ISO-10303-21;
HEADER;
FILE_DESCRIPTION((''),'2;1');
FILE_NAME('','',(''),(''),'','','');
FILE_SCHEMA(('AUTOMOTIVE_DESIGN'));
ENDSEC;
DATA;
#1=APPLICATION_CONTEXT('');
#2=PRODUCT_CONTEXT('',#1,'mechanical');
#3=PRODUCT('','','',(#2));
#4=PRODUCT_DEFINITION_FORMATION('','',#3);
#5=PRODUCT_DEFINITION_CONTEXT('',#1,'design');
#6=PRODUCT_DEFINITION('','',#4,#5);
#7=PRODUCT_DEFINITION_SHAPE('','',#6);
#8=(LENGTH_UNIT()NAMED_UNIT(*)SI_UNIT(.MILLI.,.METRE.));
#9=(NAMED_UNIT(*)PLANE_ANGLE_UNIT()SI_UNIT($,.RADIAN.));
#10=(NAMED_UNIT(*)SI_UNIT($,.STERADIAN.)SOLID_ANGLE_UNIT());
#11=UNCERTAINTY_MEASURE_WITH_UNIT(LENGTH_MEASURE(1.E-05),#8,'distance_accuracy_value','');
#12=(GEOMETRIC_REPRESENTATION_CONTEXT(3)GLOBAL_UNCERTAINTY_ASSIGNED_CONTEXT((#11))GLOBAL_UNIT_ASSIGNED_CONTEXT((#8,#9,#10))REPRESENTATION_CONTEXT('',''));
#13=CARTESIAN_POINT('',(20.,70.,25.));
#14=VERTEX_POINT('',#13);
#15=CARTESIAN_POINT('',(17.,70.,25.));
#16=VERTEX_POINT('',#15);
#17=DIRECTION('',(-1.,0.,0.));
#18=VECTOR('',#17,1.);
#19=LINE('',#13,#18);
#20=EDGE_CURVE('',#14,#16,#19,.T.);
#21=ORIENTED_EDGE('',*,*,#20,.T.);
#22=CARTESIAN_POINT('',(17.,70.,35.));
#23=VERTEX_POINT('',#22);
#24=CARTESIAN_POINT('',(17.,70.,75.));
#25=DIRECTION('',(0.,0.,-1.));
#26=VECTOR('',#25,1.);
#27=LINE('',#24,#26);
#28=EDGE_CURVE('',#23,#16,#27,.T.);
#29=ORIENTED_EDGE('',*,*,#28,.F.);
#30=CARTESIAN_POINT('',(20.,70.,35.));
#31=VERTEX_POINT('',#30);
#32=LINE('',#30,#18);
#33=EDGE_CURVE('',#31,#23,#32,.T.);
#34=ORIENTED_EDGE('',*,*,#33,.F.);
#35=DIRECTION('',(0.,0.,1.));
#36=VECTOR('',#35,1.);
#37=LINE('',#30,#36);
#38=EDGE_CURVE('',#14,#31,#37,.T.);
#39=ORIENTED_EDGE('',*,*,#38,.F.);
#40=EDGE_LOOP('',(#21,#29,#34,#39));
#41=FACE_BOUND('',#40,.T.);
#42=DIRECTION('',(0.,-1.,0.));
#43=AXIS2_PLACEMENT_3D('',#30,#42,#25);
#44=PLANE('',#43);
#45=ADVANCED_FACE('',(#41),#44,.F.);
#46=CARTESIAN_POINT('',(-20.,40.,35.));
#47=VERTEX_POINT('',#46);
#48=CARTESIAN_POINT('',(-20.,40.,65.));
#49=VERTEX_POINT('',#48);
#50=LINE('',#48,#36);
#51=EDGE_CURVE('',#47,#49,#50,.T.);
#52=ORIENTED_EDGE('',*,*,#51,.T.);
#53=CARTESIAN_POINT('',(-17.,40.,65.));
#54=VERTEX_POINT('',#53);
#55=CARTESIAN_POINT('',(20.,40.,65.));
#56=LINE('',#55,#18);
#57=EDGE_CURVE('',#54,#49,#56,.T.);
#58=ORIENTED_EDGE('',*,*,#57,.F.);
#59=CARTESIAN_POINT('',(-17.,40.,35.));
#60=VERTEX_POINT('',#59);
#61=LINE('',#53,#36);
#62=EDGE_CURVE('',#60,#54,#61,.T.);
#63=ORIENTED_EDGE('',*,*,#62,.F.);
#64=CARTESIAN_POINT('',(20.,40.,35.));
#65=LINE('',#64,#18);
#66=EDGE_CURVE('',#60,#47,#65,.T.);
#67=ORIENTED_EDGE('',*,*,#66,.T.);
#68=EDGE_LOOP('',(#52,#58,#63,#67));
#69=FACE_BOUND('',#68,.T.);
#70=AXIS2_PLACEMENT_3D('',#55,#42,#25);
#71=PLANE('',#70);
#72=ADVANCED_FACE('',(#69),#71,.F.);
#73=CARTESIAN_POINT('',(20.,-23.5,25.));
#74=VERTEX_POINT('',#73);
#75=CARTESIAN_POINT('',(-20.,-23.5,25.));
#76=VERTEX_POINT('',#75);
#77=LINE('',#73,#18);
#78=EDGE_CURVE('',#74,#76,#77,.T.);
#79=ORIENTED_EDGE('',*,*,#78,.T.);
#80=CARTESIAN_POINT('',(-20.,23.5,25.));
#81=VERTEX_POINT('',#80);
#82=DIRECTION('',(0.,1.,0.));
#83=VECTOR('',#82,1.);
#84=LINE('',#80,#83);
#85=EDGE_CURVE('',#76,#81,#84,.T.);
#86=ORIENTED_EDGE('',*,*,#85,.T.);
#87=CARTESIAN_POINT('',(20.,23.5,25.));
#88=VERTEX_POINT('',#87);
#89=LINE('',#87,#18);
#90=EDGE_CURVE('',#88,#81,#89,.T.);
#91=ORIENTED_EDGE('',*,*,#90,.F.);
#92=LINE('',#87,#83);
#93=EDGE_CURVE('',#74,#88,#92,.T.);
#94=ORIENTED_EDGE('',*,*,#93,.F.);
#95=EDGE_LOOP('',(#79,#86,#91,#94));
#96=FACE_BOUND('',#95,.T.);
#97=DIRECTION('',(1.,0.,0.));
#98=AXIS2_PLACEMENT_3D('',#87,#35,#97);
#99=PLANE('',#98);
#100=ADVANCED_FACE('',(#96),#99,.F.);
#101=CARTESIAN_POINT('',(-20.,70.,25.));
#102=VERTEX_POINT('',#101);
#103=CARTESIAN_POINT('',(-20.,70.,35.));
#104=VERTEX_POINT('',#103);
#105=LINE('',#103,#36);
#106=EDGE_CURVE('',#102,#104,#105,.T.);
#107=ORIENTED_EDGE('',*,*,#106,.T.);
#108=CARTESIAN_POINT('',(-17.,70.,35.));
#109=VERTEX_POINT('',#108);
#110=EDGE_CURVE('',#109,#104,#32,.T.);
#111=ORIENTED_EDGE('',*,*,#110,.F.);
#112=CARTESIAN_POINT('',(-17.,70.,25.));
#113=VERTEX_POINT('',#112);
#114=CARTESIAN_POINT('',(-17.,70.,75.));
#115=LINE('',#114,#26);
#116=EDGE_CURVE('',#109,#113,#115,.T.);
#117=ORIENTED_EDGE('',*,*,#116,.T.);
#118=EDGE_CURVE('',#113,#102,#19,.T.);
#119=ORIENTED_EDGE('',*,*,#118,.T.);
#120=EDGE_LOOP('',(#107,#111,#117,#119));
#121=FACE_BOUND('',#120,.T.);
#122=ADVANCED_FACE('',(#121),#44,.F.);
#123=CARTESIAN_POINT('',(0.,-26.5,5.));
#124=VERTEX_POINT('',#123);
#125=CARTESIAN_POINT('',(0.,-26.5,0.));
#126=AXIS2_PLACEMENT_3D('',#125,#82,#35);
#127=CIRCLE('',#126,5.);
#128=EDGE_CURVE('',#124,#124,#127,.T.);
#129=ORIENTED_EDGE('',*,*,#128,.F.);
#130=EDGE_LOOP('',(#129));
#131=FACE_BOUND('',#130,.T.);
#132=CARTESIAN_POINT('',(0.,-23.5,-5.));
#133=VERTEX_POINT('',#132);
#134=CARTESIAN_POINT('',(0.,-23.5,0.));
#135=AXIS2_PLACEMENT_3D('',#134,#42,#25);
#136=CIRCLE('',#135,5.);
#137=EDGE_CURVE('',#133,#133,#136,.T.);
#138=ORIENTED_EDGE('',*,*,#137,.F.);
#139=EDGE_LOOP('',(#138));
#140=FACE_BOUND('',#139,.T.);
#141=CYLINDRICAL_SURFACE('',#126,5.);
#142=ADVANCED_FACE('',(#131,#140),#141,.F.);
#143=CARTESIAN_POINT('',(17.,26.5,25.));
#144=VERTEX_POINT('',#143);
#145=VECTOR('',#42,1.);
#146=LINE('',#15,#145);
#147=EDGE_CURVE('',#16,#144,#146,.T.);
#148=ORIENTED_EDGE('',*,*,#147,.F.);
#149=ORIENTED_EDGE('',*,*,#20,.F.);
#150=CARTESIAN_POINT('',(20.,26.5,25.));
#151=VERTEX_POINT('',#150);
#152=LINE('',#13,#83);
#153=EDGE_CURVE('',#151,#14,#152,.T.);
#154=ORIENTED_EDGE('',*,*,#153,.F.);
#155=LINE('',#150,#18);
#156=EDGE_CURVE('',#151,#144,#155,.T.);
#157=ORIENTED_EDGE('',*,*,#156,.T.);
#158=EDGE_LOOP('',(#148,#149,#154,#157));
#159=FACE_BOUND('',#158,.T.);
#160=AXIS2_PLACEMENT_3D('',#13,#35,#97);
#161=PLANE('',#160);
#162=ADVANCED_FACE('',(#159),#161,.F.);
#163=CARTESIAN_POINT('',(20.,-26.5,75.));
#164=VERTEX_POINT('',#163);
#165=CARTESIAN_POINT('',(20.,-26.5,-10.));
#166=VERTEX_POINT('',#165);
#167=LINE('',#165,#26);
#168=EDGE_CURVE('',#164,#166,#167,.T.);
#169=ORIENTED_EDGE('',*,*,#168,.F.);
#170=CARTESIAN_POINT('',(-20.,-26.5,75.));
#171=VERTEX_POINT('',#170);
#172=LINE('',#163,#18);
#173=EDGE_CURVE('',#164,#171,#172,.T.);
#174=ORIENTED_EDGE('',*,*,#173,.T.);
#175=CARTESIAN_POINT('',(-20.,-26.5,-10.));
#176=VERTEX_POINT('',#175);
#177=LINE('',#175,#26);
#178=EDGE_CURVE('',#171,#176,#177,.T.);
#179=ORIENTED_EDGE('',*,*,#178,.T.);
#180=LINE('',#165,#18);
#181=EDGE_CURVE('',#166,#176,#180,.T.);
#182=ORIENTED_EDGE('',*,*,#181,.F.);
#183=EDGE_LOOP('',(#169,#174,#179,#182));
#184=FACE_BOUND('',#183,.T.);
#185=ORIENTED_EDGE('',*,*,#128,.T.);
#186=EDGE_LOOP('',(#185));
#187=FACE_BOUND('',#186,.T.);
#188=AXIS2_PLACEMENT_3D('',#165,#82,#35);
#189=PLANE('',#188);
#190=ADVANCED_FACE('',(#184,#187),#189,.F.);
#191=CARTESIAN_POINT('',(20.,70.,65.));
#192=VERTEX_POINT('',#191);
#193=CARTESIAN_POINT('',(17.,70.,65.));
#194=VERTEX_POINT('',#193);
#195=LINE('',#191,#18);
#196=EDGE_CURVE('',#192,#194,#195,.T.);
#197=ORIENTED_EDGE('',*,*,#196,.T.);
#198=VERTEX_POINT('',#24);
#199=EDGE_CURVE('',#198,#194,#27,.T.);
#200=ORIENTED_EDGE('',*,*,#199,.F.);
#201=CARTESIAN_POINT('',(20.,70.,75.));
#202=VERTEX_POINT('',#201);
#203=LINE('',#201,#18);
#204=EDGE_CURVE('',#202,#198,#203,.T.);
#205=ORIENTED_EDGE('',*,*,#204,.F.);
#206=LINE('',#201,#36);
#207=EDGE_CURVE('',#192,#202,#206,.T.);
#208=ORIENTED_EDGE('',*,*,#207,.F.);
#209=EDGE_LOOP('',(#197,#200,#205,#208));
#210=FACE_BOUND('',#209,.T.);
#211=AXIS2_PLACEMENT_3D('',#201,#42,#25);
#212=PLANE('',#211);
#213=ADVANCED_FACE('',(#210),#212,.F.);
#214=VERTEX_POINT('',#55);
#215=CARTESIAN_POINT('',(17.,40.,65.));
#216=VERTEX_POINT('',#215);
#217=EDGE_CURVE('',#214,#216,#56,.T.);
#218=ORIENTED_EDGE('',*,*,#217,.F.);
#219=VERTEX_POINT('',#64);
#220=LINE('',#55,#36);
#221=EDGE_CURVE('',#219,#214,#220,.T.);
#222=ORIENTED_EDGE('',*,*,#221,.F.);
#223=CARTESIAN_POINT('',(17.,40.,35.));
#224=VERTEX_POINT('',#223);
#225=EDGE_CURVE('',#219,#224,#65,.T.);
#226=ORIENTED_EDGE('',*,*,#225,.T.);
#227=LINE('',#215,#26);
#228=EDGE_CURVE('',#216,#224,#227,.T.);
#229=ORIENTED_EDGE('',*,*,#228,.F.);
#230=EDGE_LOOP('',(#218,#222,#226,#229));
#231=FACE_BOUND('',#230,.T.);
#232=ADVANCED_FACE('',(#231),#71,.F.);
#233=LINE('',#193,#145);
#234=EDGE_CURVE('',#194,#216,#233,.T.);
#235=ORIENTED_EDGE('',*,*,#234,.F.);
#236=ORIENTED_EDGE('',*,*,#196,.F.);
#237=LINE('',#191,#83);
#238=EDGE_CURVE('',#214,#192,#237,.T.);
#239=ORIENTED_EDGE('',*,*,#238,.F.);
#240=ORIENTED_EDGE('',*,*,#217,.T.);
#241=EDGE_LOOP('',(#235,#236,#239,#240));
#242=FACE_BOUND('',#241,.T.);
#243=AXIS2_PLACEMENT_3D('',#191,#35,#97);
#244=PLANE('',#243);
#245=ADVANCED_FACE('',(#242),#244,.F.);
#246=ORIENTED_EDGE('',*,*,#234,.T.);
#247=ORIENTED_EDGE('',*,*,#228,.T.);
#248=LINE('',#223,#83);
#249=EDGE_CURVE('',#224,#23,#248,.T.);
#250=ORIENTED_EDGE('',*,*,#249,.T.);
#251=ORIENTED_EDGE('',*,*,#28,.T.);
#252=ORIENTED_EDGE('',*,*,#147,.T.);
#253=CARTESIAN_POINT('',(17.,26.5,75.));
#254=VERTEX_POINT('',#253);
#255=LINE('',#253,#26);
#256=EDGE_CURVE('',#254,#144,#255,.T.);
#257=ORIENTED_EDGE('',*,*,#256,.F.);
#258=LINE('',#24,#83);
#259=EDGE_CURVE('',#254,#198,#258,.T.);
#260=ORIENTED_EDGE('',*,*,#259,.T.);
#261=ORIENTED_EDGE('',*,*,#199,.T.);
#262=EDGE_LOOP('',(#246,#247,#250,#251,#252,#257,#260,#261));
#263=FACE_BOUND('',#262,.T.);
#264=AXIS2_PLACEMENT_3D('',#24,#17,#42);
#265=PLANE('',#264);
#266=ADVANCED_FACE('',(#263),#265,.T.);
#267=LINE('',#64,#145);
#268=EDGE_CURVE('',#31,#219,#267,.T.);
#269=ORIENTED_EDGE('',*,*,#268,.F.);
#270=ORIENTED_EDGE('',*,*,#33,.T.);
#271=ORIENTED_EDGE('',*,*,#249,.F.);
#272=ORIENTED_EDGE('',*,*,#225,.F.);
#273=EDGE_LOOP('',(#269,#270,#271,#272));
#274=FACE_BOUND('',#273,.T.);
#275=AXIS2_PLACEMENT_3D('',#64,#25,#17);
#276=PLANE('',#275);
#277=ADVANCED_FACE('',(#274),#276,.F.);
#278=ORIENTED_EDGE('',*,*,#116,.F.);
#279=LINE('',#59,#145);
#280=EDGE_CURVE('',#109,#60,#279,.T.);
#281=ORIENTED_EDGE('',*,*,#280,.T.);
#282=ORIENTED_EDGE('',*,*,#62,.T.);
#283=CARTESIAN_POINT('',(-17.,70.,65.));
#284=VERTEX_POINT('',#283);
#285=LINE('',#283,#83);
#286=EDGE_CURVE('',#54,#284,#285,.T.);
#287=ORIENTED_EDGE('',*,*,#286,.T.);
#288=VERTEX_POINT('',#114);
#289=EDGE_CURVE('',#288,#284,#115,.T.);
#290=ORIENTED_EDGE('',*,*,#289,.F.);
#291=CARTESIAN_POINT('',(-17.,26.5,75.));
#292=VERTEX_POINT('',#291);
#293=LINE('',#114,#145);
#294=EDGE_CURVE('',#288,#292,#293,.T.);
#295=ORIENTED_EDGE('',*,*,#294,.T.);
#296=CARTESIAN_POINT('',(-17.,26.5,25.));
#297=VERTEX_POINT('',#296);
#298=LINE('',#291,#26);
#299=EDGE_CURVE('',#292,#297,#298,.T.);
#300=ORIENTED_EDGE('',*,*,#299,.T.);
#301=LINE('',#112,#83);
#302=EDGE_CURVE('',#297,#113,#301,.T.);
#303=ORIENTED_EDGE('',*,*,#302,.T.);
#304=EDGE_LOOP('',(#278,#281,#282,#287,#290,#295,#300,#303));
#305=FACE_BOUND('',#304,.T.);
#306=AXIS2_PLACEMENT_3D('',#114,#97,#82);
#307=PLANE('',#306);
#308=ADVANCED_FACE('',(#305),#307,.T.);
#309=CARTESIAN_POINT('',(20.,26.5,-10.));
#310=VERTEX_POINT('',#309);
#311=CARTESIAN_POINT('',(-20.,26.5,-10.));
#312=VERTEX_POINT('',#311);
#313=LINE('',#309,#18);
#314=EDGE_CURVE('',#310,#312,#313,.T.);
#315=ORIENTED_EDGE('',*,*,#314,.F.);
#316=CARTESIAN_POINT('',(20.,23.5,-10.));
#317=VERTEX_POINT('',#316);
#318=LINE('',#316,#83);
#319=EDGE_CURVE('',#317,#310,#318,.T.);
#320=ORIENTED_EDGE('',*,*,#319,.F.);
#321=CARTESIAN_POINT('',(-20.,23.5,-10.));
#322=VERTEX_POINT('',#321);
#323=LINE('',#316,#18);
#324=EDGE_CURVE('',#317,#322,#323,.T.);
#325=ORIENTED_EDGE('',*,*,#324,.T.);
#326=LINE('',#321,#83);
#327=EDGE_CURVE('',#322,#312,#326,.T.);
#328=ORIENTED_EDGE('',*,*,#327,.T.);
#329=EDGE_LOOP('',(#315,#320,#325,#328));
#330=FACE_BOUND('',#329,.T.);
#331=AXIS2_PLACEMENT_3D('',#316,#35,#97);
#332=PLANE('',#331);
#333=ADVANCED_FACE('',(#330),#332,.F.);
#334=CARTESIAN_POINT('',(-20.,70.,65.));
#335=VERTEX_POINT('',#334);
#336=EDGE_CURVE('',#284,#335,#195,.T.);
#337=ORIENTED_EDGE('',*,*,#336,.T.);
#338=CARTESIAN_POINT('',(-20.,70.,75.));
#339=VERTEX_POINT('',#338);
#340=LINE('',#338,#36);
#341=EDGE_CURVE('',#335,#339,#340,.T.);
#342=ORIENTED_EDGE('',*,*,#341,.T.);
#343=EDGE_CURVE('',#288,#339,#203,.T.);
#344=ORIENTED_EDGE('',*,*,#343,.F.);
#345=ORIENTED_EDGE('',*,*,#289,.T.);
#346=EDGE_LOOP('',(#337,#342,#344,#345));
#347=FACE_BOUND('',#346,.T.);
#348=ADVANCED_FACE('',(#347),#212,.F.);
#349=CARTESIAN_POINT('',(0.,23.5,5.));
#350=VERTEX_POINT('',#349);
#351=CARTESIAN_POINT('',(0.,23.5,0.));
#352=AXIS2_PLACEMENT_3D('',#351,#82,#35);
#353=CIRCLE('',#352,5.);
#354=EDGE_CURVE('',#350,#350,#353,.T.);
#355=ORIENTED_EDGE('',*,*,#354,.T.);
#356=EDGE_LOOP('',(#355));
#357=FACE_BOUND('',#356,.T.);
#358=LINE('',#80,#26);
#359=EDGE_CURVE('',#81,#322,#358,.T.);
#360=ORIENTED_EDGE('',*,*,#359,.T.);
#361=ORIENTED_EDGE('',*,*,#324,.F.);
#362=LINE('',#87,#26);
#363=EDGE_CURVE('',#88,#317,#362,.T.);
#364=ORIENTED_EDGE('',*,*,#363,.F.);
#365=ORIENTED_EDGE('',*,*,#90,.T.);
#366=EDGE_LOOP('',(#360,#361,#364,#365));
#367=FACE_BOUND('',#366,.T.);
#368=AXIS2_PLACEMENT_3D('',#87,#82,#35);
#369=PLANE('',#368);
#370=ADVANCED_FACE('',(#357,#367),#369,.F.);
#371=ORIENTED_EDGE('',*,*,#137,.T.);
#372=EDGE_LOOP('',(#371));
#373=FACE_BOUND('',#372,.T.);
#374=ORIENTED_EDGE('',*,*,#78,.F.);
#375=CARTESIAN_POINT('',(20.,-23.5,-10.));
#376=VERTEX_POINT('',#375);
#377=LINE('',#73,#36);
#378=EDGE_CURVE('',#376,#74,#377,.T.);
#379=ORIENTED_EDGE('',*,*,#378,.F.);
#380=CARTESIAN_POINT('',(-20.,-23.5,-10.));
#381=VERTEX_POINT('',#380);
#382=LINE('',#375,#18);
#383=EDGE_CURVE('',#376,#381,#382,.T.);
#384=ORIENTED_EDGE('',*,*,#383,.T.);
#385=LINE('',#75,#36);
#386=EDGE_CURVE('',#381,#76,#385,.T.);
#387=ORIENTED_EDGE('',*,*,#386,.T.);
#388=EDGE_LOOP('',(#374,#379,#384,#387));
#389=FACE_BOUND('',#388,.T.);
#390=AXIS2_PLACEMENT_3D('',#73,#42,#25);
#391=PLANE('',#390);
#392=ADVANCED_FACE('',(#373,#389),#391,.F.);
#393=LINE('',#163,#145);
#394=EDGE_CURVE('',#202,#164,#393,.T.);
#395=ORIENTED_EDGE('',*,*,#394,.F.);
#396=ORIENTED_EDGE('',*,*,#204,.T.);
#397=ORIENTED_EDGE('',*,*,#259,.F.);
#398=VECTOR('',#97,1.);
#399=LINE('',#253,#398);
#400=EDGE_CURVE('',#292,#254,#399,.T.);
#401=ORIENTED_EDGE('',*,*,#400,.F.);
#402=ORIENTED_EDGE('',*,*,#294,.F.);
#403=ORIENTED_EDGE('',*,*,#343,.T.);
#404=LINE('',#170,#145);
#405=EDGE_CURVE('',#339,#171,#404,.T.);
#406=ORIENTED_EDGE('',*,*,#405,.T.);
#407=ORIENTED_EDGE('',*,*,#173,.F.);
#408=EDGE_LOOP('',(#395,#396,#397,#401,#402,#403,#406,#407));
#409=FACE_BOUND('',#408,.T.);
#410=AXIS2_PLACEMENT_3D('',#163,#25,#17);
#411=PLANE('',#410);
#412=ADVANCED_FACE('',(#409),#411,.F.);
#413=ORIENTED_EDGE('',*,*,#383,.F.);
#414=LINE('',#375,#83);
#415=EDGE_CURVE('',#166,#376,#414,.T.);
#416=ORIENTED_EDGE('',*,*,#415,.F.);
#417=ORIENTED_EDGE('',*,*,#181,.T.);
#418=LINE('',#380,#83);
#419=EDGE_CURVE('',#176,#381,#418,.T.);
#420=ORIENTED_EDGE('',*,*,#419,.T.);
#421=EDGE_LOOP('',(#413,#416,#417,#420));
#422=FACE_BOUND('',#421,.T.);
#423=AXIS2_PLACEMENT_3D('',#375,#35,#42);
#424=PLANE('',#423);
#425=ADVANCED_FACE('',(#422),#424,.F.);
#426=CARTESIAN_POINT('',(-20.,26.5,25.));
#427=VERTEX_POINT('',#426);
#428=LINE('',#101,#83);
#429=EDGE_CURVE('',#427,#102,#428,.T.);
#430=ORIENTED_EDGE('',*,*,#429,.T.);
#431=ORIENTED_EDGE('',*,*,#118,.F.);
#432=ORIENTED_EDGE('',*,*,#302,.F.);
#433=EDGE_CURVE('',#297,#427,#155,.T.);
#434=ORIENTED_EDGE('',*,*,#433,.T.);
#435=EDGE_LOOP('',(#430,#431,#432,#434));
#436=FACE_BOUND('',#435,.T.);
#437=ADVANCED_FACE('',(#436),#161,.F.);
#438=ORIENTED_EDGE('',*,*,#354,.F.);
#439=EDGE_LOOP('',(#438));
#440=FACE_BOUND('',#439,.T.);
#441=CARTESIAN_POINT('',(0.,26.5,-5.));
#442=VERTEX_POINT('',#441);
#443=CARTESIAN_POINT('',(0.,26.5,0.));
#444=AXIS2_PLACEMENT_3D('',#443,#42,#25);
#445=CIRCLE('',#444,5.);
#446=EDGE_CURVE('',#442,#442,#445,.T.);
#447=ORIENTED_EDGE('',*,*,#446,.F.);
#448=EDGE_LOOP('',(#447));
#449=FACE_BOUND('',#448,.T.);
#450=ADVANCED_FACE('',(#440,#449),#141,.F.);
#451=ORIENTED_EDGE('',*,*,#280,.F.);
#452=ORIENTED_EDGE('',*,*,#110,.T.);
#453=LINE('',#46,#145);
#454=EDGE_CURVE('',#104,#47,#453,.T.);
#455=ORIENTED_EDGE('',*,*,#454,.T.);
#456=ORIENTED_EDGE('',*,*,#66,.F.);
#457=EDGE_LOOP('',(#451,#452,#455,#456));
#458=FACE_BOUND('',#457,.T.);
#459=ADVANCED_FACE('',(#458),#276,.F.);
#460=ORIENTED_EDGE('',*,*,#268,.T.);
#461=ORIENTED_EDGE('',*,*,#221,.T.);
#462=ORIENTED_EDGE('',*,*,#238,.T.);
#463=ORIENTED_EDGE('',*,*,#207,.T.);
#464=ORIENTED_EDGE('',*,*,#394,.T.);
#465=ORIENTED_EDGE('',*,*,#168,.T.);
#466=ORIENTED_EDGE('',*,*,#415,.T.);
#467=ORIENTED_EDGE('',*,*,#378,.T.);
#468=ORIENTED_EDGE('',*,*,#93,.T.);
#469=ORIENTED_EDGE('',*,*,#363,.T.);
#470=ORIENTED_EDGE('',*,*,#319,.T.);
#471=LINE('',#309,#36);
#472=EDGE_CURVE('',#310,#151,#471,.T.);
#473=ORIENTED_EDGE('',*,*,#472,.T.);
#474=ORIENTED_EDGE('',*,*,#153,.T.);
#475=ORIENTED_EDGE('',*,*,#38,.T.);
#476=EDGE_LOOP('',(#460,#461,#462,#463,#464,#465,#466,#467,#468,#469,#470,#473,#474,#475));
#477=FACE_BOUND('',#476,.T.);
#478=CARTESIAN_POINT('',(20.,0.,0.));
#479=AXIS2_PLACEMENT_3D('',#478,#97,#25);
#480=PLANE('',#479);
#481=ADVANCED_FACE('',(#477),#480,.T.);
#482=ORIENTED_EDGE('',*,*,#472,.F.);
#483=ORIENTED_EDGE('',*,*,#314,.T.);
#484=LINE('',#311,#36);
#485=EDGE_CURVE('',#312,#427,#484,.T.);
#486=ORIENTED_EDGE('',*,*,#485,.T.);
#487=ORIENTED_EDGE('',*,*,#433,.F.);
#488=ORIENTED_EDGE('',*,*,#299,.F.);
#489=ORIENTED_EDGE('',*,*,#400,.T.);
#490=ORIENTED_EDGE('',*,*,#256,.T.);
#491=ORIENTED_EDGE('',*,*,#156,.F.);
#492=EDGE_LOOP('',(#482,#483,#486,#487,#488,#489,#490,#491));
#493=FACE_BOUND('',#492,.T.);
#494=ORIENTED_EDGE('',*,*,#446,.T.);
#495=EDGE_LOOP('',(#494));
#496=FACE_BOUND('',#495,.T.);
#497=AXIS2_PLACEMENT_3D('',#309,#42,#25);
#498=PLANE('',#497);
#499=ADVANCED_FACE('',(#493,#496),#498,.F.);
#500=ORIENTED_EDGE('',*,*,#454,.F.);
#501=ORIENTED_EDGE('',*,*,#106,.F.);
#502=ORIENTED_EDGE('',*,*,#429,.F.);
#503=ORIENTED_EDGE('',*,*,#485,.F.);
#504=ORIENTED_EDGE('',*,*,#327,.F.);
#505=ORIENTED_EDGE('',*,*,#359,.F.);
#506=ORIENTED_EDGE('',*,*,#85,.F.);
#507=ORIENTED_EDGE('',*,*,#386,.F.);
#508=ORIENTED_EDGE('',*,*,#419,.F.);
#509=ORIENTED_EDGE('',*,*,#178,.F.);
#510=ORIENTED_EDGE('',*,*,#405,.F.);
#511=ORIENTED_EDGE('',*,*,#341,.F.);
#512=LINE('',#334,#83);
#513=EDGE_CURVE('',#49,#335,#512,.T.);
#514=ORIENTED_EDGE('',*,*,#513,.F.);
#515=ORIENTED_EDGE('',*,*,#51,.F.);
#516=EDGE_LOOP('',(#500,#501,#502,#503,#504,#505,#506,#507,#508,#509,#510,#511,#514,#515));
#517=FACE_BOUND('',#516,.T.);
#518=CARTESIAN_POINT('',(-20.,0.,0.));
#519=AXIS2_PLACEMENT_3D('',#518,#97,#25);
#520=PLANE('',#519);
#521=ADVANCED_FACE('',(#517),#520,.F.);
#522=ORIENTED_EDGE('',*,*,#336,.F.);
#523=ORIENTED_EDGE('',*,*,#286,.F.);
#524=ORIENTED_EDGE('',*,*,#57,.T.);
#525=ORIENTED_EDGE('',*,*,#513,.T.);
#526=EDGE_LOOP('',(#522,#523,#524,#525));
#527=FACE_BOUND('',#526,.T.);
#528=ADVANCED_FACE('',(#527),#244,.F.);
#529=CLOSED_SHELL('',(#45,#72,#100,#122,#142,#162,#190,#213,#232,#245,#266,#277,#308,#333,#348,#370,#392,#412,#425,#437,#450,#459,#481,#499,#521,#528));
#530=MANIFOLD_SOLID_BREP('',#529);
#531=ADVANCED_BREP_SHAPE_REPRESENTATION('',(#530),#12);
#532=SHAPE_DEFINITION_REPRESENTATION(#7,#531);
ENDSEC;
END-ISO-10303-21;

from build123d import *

# Parameters (mm, degrees)
AUFSATZ_LINEAR_AUSTRAGEN1_DEPTH      = 20
SKIZZE2_W                            = 34
SKIZZE2_H                            = 43.5
SCHNITT_LINEAR_AUSTRAGEN1_DEPTH      = 105.522724802
SCHNITT_LINEAR_AUSTRAGEN2_DEPTH      = 105.522724802
SCHNITT_LINEAR_AUSTRAGEN2_DEPTH_BACK = 105.522724802
SKIZZE3_R                            = 5


with BuildPart() as part:
    # Skizze1 → Aufsatz-Linear austragen1 (new, symmetric)
    with BuildSketch(Plane(origin=(0, 0, 0), x_dir=(0, 0, -1), z_dir=(1, 0, 0))):
        Polygon((-25, 23.5), (10, 23.5), (10, 26.5), (-25, 26.5), (-25, 70), (-35, 70), (-35, 40), (-65, 40), (-65, 70), (-75, 70), (-75, -26.5), (10, -26.5), (10, -23.5), (-25, -23.5), align=None)
    extrude(amount=AUFSATZ_LINEAR_AUSTRAGEN1_DEPTH, both=True)

    # Skizze2 → Schnitt-Linear austragen1 (cut, through all)
    with BuildSketch(Plane.XY):
        with Locations((0, 48.25)):
            Rectangle(SKIZZE2_W, SKIZZE2_H)
    extrude(amount=SCHNITT_LINEAR_AUSTRAGEN1_DEPTH, mode=Mode.SUBTRACT)

    # Skizze3 → Schnitt-Linear austragen2 (cut, two sides: drawn at the far end of the back side and taken through both)
    with BuildSketch(Plane(origin=(0, 0, 0), x_dir=(1, 0, 0), z_dir=(0, 1, 0)).offset(-SCHNITT_LINEAR_AUSTRAGEN2_DEPTH_BACK)):
        with Locations(Location((0, 0, 0), (0, 0, 270))):
            Circle(SKIZZE3_R)
    extrude(amount=SCHNITT_LINEAR_AUSTRAGEN2_DEPTH + SCHNITT_LINEAR_AUSTRAGEN2_DEPTH_BACK, mode=Mode.SUBTRACT)


solid = part.part
